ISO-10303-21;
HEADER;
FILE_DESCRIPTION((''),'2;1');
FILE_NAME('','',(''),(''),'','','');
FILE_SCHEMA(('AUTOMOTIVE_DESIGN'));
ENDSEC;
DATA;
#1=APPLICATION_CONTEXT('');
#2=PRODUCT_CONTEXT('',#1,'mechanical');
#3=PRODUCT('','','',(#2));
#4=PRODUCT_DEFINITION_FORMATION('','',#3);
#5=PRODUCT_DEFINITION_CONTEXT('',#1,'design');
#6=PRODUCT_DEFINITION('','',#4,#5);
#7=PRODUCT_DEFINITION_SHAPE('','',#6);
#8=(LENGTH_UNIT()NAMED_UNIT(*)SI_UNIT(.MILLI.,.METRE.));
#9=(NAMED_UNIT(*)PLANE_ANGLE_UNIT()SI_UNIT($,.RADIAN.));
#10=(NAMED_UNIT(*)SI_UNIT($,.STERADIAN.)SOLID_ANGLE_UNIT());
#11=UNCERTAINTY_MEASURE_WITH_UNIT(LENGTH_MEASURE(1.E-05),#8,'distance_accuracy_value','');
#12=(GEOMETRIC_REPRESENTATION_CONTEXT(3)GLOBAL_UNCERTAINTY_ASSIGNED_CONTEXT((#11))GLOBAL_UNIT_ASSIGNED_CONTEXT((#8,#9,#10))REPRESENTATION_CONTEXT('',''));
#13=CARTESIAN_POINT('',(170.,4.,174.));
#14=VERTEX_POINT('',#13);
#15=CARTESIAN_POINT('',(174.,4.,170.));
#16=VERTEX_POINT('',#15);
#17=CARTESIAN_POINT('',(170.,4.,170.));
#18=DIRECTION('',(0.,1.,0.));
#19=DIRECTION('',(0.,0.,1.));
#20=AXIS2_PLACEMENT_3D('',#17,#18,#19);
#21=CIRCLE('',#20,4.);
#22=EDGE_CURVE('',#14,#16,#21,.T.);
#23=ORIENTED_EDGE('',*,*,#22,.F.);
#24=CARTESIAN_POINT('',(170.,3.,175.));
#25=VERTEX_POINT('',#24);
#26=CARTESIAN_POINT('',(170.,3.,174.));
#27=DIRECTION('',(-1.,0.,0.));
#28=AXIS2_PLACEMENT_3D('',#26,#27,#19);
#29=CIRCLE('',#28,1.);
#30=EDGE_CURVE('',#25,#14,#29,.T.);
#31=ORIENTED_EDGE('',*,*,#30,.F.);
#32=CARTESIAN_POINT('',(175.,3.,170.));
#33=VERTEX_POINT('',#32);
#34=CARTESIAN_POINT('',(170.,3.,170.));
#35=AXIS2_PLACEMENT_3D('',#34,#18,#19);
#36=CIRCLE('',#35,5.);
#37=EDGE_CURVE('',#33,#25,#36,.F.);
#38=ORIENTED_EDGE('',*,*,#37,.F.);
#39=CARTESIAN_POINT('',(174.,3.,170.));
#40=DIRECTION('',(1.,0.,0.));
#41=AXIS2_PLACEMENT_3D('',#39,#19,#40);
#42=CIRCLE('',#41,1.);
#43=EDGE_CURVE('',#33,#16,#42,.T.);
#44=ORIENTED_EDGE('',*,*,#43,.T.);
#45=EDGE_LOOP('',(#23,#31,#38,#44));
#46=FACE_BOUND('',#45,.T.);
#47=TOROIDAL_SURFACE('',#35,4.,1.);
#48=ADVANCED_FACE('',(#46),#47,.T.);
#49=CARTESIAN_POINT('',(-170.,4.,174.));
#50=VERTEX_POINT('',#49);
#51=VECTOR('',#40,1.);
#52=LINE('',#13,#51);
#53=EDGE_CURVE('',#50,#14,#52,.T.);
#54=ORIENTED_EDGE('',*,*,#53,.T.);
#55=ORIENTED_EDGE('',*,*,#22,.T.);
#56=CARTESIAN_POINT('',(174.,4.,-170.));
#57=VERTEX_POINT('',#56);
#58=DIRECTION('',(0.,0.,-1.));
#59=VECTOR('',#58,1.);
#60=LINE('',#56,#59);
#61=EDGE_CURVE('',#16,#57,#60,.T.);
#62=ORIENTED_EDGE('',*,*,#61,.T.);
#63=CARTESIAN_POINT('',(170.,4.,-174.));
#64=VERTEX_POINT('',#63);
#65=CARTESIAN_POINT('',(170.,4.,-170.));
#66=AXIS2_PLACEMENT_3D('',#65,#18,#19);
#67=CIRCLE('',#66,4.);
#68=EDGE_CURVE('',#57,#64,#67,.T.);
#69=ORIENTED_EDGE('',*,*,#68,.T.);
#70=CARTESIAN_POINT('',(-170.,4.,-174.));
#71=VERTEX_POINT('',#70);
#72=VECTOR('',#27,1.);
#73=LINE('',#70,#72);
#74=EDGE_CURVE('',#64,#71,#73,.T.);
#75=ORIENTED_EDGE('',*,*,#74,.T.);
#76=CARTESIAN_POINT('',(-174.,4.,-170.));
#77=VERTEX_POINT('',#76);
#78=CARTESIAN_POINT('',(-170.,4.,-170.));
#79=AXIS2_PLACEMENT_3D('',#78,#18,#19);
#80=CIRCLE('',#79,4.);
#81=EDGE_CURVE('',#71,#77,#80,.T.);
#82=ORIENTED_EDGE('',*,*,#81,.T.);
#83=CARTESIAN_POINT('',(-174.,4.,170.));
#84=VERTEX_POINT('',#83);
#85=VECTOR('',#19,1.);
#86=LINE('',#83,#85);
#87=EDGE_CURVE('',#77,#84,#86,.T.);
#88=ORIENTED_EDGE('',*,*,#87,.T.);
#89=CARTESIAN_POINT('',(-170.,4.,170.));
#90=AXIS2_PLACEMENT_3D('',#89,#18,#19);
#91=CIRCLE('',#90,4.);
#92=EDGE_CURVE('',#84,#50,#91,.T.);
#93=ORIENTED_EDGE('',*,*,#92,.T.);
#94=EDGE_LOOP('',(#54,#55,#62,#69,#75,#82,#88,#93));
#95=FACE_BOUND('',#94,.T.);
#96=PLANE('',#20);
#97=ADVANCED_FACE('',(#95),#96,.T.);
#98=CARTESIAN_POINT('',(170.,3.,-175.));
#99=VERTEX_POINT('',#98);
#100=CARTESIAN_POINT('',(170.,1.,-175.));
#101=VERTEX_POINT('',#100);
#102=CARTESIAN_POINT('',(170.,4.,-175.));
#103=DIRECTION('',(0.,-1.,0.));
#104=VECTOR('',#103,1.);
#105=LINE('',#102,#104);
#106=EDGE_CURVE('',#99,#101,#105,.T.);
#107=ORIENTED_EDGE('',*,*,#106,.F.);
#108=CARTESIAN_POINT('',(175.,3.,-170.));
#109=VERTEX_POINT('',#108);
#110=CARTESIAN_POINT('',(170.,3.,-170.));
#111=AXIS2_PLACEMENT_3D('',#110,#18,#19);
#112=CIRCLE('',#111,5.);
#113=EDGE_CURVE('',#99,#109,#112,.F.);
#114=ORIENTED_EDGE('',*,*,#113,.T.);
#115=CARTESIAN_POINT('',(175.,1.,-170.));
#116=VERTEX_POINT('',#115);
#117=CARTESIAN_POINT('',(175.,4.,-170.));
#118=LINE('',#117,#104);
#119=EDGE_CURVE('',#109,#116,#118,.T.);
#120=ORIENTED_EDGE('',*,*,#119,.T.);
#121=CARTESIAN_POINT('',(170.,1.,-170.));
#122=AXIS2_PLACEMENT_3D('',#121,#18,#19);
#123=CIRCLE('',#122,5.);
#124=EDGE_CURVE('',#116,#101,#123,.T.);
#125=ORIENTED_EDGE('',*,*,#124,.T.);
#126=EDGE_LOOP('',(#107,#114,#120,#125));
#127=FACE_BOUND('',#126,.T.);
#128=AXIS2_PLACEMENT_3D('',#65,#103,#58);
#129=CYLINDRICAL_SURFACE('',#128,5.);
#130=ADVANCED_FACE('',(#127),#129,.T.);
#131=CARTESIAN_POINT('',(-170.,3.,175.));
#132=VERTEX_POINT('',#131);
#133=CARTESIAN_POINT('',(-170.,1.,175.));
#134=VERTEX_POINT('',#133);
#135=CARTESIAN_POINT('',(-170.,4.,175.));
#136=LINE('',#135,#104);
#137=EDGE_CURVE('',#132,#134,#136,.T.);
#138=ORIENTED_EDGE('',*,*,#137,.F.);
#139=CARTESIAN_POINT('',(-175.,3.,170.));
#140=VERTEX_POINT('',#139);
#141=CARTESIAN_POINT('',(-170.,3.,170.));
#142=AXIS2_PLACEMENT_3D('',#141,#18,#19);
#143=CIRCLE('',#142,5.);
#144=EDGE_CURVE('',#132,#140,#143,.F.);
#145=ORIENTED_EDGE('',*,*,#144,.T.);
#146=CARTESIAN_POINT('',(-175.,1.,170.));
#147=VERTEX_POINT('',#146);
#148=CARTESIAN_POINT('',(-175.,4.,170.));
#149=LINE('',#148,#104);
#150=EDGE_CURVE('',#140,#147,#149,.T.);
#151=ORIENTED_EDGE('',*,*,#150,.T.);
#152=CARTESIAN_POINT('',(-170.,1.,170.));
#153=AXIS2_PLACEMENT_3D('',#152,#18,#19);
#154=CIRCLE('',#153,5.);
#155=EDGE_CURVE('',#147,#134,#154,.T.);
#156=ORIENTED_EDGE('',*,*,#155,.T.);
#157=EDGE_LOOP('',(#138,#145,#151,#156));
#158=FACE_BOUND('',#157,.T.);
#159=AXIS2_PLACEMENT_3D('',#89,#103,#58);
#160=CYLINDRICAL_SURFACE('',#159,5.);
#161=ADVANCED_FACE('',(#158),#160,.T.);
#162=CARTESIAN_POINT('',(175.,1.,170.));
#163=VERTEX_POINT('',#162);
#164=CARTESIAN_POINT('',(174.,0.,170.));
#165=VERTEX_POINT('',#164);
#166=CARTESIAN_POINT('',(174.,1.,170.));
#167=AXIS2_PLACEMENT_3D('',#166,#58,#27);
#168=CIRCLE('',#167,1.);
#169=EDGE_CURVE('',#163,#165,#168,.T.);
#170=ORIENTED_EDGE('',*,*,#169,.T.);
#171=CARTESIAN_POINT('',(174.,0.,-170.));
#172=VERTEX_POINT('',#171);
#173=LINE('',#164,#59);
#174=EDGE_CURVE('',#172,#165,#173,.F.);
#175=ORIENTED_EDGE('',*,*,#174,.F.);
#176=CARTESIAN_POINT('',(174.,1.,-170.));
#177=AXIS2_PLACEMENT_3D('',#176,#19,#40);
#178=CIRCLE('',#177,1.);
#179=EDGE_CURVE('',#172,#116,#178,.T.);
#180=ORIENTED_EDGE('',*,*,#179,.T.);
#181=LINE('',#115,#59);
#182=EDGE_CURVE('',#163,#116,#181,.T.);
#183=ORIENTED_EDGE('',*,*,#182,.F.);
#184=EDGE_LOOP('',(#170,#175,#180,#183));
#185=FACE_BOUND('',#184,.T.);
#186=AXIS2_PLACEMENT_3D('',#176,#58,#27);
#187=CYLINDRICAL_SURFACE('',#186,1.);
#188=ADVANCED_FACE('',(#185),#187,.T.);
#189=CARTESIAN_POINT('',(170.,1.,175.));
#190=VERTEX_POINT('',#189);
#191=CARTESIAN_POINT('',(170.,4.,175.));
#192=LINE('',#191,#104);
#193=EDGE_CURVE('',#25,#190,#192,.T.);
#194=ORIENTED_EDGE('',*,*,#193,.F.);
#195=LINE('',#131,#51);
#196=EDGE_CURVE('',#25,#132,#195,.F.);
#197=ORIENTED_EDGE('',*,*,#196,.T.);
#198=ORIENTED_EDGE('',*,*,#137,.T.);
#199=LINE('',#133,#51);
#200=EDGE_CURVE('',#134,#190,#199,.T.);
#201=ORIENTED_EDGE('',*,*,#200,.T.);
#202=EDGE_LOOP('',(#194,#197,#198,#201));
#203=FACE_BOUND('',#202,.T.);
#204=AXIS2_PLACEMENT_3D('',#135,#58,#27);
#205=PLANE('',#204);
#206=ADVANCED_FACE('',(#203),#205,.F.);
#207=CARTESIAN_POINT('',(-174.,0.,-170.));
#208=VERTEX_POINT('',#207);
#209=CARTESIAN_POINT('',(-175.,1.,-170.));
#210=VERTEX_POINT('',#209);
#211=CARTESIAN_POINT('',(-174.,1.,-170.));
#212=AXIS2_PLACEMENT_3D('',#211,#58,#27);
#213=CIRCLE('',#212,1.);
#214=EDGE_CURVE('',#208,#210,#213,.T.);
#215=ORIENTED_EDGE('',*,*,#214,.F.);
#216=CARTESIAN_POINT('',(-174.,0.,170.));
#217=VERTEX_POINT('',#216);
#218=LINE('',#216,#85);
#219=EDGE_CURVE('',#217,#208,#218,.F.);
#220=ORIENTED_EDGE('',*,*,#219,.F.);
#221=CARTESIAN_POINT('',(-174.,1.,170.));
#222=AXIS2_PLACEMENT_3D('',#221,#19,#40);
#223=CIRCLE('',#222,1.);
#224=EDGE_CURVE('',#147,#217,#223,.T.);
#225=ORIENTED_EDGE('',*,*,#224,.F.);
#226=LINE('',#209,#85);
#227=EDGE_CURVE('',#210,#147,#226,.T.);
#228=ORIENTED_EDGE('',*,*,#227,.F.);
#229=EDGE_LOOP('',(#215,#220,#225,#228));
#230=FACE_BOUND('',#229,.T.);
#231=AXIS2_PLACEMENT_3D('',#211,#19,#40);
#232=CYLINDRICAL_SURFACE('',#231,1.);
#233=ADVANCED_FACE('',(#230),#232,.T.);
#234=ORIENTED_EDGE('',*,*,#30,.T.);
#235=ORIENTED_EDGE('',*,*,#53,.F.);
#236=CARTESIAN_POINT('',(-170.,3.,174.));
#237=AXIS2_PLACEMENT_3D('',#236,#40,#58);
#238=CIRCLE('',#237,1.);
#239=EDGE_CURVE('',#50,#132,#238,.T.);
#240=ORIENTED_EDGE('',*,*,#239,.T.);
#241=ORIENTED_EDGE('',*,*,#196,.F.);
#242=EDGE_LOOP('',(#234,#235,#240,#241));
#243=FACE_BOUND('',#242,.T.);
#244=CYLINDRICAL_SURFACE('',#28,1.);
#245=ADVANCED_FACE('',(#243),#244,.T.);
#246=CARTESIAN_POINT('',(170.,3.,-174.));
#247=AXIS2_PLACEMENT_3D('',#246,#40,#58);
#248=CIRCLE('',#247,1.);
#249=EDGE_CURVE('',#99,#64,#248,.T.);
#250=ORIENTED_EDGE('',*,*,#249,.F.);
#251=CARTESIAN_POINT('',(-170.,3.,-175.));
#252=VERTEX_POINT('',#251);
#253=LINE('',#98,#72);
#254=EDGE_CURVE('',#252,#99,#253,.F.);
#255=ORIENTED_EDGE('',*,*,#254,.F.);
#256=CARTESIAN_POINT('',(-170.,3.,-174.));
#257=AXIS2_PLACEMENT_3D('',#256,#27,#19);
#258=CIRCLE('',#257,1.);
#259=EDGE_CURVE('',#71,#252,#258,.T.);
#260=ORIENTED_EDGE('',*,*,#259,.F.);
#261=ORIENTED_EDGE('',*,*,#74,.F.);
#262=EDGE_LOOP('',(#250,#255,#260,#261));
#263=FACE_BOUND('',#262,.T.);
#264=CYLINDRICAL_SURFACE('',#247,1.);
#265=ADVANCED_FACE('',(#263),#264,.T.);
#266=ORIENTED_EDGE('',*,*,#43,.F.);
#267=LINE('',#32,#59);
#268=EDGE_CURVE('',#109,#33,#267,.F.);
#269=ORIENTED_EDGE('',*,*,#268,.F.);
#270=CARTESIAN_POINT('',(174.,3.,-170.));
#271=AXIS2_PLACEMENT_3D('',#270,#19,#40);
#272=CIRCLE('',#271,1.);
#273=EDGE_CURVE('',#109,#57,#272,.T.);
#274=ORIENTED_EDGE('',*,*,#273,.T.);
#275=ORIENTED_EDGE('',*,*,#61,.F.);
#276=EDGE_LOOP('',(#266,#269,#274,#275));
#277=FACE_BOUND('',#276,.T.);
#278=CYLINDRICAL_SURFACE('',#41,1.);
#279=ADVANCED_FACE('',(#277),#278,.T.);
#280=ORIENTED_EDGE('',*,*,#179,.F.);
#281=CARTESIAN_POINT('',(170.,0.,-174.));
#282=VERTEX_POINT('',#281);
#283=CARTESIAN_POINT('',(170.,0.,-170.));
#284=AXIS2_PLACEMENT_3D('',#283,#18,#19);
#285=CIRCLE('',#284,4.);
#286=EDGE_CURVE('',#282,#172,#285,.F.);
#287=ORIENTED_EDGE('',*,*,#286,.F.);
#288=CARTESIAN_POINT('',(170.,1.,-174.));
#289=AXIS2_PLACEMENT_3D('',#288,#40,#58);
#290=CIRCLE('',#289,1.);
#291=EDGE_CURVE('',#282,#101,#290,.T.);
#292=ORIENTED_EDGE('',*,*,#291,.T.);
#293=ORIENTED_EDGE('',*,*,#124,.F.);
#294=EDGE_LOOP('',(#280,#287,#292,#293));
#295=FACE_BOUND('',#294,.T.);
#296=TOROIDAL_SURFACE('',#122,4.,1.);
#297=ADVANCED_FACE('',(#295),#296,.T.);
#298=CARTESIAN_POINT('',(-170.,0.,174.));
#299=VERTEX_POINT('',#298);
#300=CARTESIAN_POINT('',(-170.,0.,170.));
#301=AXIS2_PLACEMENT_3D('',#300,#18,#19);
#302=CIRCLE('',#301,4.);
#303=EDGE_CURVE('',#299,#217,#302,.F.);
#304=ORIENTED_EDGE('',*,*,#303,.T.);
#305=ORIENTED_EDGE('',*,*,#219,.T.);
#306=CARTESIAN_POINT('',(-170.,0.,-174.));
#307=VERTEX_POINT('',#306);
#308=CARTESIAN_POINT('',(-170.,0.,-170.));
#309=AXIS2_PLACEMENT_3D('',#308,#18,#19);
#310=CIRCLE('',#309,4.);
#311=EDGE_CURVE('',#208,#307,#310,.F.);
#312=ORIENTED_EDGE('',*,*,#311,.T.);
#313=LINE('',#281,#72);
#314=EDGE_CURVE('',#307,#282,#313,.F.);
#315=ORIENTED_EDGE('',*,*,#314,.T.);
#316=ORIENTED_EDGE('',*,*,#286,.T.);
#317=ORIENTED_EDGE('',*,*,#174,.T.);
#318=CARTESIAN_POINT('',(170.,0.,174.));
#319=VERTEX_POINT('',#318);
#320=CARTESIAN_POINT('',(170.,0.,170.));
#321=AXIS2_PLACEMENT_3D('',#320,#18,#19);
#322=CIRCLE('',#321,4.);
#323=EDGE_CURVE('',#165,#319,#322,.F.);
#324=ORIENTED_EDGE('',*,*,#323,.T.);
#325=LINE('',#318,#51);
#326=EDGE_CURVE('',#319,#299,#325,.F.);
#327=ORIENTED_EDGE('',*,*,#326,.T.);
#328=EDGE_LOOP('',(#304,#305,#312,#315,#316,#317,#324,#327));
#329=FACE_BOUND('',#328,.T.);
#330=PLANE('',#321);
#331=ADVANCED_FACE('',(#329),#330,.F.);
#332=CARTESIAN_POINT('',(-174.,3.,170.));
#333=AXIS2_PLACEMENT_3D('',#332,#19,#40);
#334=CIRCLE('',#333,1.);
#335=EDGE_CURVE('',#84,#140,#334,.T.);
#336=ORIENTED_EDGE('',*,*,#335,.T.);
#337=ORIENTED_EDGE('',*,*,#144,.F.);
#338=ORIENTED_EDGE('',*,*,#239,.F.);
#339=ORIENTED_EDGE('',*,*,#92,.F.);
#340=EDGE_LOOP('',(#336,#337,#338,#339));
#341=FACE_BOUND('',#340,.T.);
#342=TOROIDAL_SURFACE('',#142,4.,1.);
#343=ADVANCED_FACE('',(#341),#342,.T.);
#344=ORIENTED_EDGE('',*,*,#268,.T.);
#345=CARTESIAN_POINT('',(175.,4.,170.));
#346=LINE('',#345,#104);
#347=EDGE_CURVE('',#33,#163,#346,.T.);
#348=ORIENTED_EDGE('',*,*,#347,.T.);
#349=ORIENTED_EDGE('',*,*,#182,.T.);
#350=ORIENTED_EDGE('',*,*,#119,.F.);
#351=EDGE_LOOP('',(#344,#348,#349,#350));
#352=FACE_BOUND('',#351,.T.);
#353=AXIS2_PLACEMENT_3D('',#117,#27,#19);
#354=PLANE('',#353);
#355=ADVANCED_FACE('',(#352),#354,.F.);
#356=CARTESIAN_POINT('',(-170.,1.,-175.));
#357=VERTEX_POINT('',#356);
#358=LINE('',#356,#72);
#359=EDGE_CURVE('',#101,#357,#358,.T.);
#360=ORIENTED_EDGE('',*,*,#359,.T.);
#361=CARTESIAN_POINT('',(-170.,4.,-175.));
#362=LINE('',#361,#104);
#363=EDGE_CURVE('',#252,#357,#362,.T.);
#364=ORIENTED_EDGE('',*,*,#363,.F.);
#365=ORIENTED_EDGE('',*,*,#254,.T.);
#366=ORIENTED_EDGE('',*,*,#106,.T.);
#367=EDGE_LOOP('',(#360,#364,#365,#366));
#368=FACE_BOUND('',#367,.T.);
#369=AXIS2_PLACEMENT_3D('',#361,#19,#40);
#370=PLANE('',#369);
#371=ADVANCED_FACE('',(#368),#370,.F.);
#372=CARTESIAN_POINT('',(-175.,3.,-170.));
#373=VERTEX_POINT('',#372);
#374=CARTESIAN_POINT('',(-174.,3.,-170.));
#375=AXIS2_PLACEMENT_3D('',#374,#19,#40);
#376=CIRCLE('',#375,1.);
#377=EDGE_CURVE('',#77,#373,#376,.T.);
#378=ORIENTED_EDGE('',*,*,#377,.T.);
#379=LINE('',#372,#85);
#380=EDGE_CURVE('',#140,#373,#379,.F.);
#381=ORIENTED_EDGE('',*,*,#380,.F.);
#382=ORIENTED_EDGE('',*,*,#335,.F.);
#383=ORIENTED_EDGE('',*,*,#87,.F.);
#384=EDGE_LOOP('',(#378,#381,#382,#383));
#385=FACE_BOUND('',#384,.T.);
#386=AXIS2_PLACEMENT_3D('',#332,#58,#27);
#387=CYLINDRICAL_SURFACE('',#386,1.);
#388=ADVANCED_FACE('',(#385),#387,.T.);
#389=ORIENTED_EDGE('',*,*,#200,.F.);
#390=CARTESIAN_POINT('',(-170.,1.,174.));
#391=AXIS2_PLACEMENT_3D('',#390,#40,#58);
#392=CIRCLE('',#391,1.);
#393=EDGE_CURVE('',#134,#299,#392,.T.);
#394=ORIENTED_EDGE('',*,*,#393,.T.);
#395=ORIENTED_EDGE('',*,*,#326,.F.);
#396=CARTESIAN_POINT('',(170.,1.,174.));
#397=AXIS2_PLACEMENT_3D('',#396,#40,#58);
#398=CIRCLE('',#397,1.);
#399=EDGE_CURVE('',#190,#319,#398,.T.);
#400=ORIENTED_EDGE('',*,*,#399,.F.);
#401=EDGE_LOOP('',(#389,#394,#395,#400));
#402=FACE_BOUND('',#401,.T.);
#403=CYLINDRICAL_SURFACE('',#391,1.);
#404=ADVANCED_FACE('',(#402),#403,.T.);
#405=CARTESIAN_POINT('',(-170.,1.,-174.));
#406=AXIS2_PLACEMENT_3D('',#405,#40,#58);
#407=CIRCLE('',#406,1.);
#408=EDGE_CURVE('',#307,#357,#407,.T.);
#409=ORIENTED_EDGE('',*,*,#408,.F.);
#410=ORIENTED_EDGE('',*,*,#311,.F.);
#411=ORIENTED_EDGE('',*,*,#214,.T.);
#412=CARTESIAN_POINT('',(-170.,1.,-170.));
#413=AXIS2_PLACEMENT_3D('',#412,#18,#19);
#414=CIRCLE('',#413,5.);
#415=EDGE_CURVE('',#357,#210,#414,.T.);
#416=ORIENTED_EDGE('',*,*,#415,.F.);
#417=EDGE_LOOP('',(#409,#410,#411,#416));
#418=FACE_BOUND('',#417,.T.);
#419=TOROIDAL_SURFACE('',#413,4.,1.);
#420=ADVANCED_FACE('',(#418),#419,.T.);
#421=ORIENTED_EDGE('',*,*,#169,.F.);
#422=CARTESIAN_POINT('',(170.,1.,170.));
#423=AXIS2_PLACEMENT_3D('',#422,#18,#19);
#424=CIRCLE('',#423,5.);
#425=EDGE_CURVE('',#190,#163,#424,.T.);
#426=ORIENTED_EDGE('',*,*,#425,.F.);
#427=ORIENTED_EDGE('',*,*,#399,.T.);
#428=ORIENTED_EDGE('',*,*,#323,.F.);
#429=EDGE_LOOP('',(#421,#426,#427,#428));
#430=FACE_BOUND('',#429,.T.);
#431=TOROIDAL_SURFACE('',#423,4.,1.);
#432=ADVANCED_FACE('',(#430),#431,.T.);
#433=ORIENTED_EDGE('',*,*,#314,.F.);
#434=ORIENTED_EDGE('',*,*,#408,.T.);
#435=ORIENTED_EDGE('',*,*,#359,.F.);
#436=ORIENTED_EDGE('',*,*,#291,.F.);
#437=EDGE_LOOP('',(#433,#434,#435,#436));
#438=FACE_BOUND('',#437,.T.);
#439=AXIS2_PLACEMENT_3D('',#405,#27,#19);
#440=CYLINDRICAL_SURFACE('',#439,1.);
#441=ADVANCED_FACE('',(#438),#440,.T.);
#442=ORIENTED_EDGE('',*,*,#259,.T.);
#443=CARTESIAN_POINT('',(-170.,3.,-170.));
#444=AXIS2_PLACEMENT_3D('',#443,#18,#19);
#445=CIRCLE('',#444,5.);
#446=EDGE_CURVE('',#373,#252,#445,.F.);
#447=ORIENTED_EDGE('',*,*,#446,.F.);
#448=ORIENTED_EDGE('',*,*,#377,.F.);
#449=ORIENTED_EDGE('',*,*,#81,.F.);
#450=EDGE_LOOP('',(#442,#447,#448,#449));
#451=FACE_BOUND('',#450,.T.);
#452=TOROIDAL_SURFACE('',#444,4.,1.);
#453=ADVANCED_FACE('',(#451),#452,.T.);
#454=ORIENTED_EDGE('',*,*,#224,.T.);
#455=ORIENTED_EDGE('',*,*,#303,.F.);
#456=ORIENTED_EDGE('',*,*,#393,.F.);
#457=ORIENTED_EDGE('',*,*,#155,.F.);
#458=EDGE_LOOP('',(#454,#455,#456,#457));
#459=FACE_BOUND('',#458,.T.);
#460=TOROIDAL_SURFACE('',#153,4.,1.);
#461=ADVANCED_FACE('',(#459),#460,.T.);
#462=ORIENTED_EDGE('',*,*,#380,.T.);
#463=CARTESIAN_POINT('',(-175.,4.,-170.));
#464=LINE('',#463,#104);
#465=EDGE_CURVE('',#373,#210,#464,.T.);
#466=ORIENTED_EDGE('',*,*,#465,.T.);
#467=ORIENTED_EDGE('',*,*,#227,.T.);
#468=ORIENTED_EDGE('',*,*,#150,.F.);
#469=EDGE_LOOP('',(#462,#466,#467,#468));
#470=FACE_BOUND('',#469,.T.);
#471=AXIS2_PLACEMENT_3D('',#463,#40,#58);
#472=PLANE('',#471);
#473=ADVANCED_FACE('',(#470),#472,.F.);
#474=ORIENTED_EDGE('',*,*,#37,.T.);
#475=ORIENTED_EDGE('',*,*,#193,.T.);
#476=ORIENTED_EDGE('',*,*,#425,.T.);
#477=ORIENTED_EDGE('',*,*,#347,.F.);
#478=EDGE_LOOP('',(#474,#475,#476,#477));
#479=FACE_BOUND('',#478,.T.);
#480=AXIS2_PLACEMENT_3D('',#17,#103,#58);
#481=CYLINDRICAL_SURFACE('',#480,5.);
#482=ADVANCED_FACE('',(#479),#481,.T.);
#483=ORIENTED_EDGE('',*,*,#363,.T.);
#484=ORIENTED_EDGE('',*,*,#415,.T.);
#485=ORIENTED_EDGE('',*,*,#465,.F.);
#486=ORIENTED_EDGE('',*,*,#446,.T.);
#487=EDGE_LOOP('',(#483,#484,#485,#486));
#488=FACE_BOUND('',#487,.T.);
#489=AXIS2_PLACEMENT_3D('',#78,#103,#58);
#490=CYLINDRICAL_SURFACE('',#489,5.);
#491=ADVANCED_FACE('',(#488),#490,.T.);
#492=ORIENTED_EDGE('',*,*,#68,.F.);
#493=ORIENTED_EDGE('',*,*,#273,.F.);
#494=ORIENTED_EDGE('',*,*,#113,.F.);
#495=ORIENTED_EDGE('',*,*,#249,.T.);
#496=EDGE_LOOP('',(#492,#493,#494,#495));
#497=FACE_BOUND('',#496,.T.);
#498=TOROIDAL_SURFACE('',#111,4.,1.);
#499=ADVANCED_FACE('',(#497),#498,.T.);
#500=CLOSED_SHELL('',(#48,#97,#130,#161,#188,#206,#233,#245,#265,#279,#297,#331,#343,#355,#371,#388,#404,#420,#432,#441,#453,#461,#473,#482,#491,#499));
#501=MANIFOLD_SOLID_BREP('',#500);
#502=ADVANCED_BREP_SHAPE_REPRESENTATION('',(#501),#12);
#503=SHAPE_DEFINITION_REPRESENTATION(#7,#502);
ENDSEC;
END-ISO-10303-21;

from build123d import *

# Parameters (mm, degrees)
BOSS_EXTRUDE1_DEPTH = 4
FILLET1_R           = 1


with BuildPart() as part:
    # Sketch1 → Boss-Extrude1 (new body)
    with BuildSketch(Plane(origin=(0, 0, 0), x_dir=(1, 0, 0), z_dir=(0, 1, 0))):
        with BuildLine():
            Line((-170, 175), (170, 175))
            ThreePointArc((170, 175), (173.535533906, 173.535533906), (175, 170))
            Line((175, 170), (175, -170))
            ThreePointArc((175, -170), (173.535533906, -173.535533906), (170, -175))
            Line((170, -175), (-170, -175))
            ThreePointArc((-170, -175), (-173.535533906, -173.535533906), (-175, -170))
            Line((-175, -170), (-175, 170))
            ThreePointArc((-175, 170), (-173.535533906, 173.535533906), (-170, 175))
        make_face()
    extrude(amount=BOSS_EXTRUDE1_DEPTH)

    # Fillet1
    fillet1_edges = [part.edges().sort_by_distance(p)[0] for p in [
        (0, 0, -175),
        (173.535533906, 0, -173.535533906),
        (175, 0, 0),
        (173.535533906, 0, 173.535533906),
        (173.535533906, 4, -173.535533906),
        (0, 4, -175),
        (-173.535533906, 4, -173.535533906),
        (-175, 4, 0),
        (-173.535533906, 4, 173.535533906),
        (0, 4, 175),
        (173.535533906, 4, 173.535533906),
        (0, 0, 175),
        (175, 4, 0),
        (-173.535533906, 0, 173.535533906),
        (-175, 0, 0),
        (-173.535533906, 0, -173.535533906),
    ]]
    fillet(fillet1_edges, radius=FILLET1_R)


solid = part.part
